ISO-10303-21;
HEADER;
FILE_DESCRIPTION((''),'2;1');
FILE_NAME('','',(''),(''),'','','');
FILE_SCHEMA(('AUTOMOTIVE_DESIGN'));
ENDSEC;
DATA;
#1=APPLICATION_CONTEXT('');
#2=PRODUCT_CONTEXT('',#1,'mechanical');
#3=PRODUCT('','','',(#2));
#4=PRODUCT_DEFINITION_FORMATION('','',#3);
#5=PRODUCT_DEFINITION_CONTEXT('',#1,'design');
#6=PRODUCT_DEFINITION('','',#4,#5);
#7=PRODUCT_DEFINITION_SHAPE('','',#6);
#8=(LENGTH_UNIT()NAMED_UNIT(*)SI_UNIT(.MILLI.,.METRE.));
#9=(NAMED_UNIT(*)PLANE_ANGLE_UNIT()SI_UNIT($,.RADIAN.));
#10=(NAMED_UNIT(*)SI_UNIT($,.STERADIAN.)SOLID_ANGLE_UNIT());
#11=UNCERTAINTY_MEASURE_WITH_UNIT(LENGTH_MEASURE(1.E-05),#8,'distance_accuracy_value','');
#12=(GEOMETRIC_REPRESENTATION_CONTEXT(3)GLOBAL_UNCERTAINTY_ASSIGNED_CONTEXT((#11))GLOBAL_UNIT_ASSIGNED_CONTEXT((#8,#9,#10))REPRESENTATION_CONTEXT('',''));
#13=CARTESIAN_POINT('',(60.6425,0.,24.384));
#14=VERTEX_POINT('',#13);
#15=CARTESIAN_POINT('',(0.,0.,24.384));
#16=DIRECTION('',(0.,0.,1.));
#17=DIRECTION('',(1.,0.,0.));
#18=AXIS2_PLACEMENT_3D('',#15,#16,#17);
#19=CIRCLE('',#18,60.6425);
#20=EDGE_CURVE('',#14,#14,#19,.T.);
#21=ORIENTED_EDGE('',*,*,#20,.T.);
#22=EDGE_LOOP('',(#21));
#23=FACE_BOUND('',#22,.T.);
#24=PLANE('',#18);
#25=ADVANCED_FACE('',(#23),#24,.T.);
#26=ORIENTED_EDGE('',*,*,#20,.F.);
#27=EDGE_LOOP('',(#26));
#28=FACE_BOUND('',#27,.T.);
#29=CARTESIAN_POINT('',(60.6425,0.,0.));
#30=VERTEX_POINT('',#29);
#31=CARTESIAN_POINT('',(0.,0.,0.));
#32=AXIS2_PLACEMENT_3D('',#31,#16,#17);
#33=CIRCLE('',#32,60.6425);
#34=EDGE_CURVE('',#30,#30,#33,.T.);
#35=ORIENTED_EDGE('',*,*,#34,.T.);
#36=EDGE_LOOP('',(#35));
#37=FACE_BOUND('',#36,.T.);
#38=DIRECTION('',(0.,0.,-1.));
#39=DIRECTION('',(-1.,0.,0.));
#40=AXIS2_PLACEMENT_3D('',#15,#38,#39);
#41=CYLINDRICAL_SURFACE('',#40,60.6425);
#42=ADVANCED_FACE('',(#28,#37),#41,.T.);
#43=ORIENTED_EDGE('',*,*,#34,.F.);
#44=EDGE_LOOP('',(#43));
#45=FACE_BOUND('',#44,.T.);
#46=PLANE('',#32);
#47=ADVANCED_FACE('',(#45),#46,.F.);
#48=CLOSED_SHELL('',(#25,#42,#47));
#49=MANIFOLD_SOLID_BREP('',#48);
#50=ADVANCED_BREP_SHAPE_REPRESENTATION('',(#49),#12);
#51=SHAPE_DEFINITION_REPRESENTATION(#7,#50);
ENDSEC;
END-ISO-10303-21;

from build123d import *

# Parameters (mm, degrees)
SKETCH1_R      = 60.6425
EXTRUDE1_DEPTH = 24.384


with BuildPart() as part:
    # Sketch1 → Extrude1 (new body)
    with BuildSketch(Plane.XY):
        Circle(SKETCH1_R)
    extrude(amount=EXTRUDE1_DEPTH)


solid = part.part
